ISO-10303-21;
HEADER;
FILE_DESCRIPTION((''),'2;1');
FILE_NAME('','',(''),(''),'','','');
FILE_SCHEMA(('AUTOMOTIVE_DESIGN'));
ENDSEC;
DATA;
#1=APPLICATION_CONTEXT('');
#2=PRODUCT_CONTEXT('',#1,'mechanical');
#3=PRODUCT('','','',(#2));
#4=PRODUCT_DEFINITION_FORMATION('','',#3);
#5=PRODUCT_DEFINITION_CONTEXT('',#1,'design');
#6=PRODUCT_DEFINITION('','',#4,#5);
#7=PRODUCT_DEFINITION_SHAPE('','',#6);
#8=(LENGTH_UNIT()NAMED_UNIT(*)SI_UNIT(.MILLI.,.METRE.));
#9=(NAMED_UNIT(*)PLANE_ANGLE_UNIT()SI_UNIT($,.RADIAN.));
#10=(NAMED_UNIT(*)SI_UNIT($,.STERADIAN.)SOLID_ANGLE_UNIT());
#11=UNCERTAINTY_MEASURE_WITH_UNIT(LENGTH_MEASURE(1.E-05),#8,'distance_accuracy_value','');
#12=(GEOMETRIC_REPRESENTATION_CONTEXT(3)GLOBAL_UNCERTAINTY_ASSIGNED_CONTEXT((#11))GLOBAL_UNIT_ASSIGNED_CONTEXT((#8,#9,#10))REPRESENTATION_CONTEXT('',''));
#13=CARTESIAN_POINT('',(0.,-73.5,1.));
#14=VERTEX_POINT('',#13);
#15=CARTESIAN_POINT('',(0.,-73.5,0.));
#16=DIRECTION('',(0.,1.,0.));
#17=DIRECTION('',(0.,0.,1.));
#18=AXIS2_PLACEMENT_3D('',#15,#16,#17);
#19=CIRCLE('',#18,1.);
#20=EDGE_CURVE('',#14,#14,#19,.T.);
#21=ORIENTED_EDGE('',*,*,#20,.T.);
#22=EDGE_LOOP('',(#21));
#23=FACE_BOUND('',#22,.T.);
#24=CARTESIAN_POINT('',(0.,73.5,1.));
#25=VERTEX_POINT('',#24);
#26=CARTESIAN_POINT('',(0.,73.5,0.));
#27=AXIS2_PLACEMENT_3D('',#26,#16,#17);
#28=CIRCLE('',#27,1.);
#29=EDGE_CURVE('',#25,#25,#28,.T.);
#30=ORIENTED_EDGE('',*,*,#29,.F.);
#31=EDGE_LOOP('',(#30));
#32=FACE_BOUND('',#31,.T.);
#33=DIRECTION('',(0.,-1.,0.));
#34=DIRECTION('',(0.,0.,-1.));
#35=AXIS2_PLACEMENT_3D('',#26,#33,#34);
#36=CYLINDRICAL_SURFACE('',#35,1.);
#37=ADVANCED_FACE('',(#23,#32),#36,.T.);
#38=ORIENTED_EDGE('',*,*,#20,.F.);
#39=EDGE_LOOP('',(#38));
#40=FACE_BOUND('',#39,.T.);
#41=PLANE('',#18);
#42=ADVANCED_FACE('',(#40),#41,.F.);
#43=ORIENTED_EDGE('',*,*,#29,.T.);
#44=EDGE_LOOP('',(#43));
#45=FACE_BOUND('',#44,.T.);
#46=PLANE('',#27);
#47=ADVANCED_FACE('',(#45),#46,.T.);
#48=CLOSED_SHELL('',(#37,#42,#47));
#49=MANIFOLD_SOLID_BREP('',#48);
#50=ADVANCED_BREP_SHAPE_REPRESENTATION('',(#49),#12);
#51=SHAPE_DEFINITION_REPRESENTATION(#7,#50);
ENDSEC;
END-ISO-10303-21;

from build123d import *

# Parameters (mm, degrees)
SKETCH1_R           = 1
BOSS_EXTRUDE1_DEPTH = 73.5


with BuildPart() as part:
    # Sketch1 → Boss-Extrude1 (new body, symmetric)
    with BuildSketch(Plane(origin=(0, 0, 0), x_dir=(1, 0, 0), z_dir=(0, 1, 0))):
        Circle(SKETCH1_R)
    extrude(amount=BOSS_EXTRUDE1_DEPTH, both=True)


solid = part.part
